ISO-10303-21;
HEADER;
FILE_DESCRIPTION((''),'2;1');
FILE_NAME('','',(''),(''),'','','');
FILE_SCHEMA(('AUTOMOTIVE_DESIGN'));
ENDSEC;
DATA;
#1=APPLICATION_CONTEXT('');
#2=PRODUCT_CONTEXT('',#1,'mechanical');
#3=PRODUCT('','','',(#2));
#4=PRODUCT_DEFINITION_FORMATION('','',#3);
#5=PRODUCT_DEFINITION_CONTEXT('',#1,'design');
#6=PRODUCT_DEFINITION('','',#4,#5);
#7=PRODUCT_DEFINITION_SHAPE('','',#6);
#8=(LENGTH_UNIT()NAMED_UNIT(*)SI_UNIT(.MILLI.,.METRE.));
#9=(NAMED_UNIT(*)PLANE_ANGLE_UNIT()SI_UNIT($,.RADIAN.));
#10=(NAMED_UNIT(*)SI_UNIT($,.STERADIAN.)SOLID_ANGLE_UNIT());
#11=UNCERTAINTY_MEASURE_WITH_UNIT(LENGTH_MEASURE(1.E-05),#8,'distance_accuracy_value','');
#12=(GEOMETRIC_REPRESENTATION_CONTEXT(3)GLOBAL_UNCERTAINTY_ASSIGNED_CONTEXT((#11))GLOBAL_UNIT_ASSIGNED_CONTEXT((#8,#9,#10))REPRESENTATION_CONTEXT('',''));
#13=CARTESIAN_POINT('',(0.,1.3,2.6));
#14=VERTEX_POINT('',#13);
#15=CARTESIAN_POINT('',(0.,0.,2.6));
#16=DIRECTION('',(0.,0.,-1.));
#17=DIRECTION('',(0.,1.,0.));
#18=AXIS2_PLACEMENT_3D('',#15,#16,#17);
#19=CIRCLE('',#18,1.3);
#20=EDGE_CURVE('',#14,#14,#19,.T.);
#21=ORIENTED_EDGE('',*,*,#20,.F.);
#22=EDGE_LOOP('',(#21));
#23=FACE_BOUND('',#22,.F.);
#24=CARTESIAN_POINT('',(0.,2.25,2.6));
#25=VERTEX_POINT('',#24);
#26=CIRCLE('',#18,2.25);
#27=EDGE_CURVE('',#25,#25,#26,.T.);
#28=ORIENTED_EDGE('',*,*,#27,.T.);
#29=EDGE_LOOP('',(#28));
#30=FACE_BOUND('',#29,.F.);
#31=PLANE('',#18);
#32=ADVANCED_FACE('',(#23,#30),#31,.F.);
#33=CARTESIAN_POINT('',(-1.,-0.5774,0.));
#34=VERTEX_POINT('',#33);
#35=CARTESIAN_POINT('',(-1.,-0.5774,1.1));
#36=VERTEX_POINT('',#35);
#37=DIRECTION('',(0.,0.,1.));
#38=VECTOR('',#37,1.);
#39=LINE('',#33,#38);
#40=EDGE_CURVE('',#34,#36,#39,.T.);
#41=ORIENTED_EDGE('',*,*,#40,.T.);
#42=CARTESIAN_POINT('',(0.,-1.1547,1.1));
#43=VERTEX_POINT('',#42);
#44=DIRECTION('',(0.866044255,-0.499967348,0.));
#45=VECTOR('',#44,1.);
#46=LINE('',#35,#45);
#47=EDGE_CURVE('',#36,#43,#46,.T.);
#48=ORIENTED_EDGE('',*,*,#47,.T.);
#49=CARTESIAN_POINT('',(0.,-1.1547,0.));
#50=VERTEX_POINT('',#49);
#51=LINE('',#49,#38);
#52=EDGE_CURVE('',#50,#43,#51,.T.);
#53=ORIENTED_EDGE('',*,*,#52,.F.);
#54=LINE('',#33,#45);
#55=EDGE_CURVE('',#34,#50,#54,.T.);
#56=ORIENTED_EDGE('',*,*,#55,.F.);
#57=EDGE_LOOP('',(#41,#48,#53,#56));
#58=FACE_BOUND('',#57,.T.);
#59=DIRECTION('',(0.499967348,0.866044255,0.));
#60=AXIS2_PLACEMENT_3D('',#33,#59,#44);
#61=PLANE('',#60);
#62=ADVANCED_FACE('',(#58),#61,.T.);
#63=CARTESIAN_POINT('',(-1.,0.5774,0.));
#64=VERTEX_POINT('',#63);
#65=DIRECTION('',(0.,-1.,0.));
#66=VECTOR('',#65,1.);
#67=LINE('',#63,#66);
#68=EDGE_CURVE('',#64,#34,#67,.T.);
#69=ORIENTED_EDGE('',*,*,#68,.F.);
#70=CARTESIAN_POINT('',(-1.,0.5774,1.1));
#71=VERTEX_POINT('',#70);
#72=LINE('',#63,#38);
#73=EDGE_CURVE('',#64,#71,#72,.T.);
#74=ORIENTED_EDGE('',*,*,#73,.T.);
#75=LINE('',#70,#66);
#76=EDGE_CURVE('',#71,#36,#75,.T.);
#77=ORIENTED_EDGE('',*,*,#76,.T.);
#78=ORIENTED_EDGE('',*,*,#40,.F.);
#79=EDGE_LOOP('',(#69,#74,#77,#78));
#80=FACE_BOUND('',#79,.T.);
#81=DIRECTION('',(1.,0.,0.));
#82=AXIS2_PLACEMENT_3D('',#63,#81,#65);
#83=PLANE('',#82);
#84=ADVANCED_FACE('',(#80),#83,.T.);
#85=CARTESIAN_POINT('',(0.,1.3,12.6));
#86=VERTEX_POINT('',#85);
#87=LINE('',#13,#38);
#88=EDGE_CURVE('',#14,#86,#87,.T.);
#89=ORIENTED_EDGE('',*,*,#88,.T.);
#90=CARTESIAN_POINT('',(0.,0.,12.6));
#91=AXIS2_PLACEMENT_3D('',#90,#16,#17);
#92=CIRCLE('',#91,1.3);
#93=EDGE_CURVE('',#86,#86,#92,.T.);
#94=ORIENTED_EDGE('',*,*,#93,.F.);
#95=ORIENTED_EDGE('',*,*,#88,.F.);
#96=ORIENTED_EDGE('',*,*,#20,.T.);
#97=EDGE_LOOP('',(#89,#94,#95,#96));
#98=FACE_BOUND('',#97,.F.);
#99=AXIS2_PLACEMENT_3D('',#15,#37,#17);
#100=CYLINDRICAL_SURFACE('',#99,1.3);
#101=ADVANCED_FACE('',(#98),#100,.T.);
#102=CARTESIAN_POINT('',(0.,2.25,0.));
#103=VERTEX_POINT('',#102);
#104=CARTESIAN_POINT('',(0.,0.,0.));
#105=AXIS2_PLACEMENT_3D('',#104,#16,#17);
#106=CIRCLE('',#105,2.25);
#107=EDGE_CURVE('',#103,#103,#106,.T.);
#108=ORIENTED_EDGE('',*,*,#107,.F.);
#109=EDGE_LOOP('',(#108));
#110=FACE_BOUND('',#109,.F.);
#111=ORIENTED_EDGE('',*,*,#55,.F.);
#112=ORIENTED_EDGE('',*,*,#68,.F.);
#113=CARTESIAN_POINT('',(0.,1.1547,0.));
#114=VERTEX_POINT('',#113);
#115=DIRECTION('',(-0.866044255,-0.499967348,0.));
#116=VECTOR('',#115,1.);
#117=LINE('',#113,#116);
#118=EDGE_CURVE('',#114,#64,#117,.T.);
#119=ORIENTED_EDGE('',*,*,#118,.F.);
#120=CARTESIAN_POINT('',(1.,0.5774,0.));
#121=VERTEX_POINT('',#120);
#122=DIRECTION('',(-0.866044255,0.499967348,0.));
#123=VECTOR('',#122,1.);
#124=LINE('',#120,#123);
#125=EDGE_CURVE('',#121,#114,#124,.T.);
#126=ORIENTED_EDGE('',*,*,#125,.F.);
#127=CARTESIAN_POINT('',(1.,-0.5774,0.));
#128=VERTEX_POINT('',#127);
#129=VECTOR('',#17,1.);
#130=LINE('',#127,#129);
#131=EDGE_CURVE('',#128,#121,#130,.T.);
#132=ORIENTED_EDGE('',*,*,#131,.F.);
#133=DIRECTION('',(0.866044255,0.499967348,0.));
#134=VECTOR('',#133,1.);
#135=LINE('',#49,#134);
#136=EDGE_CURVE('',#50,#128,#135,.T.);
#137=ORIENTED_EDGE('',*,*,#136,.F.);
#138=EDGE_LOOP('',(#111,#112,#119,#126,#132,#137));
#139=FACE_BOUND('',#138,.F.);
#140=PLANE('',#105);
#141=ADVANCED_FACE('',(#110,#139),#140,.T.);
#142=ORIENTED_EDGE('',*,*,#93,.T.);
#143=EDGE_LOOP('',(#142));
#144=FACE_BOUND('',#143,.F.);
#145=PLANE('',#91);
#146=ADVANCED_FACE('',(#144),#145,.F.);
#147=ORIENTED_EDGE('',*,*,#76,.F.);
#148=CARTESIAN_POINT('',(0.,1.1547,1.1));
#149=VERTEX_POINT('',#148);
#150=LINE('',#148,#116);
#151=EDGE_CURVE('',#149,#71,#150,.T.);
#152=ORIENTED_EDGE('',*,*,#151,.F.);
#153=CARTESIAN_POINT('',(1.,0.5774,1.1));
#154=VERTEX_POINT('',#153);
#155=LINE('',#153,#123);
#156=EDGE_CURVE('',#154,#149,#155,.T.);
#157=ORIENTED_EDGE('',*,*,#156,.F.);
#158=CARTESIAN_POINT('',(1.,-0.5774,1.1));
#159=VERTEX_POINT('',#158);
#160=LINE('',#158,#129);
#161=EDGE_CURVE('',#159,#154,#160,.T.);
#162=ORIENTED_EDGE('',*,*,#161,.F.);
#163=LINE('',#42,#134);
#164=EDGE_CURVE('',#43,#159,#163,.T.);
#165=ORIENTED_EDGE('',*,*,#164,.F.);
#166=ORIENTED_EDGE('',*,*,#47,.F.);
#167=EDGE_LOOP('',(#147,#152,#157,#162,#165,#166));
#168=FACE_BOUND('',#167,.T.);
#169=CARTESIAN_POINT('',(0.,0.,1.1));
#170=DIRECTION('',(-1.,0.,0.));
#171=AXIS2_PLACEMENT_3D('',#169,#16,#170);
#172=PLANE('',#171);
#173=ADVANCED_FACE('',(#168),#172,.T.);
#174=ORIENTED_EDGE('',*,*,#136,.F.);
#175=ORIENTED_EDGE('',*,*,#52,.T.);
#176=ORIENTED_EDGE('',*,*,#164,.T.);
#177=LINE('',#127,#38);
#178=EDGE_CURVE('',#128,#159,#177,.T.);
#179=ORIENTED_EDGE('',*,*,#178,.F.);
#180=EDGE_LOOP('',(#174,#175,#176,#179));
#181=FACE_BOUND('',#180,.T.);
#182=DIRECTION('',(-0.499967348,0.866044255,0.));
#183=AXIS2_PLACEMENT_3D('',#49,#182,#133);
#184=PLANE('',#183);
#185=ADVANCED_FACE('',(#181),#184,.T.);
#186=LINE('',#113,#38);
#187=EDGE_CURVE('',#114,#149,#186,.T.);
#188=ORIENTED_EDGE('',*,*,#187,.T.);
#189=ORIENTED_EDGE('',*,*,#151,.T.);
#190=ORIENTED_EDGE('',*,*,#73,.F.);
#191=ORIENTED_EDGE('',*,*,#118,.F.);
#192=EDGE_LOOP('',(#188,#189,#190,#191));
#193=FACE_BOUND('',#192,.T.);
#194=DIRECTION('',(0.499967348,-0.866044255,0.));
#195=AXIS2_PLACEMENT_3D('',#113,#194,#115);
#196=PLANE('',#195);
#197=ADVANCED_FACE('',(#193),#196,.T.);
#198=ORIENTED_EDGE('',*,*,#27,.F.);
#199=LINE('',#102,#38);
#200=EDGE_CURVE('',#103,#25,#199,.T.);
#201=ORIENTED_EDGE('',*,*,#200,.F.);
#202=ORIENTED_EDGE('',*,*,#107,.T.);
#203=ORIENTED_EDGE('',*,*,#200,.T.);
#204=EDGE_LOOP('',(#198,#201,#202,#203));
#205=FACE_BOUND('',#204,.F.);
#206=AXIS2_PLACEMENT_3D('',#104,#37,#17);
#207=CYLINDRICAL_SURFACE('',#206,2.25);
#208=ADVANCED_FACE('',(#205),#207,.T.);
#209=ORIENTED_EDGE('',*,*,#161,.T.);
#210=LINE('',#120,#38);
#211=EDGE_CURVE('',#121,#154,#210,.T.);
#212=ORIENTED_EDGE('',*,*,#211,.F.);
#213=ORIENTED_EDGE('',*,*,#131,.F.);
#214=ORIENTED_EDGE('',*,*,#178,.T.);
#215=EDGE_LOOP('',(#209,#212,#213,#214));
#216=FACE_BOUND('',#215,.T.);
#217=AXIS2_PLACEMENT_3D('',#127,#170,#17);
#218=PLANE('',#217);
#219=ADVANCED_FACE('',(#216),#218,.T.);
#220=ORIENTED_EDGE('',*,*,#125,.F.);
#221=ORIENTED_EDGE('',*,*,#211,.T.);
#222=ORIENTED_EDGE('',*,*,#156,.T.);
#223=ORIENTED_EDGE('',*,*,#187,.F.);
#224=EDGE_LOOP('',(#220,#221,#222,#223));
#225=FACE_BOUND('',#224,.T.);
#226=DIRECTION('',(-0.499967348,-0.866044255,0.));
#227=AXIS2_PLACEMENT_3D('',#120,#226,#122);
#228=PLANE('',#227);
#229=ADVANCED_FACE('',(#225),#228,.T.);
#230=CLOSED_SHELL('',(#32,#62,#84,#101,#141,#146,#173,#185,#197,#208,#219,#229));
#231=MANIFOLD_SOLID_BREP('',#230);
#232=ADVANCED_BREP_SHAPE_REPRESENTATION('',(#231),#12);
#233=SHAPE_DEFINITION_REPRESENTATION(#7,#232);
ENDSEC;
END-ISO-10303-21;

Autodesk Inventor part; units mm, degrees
ref_plane "YZ Plane" through (0, 0, 0) normal (1, 0, 0) x (0, 1, 0)
ref_plane "XZ Plane" through (0, 0, 0) normal (0, 1, 0) x (-1, 0, 0)
ref_plane "XY Plane" through (0, 0, 0) normal (0, 0, 1) x (1, 0, 0)
sketch "スケッチ1" plane through (0, 0, 0) normal (1, 0, 0) x (0, 1, 0)
  line L0 (0, 12.6) -> (0, 0)
  line L1 (0, 0) -> (2.25, 0)
  line L2 (2.25, 0) -> (2.25, 2.6)
  line L3 (2.25, 2.6) -> (1.3, 2.6)
  line L4 (1.3, 2.6) -> (1.3, 12.6)
  line L5 (1.3, 12.6) -> (0, 12.6)
  dimension "d2" = 2.6
  dimension "d10" = 10
  dimension "d11" = 2.6
  dimension "d12" = 4.5
revolve "回転1" add sketch "スケッチ1" angle 360 about axis through (0, 0, 12.6) along (0, 0, -1)
thread "ねじ1" size "M2.6x0.45" class "6g" standard "ANSI Metric M Profile" full length
sketch "スケッチ2" plane through (0, 0, 0) normal (0, 0, -1) x (-1, 0, 0)
  line L0 (0, 1.1547) -> (1, 0.5774)
  line L1 (1, 0.5774) -> (1, -0.5774)
  line L2 (1, -0.5774) -> (0, -1.1547)
  line L3 (0, -1.1547) -> (-1, -0.5774)
  line L4 (-1, -0.5774) -> (-1, 0.5774)
  line L5 (-1, 0.5774) -> (0, 1.1547)
  circle A0 centre (0, 0) radius 2.25 projected
  line L6 (0, 2.25) -> (0, -2.25) construction
  dimension "d7" = 2
extrude "押し出し1" cut sketch "スケッチ2" against normal blind 1.1 contours L0 L1 L2 L3 L4 L5
properties part number "M2_6-10" material "ステンレス鋼 AISI 304"
